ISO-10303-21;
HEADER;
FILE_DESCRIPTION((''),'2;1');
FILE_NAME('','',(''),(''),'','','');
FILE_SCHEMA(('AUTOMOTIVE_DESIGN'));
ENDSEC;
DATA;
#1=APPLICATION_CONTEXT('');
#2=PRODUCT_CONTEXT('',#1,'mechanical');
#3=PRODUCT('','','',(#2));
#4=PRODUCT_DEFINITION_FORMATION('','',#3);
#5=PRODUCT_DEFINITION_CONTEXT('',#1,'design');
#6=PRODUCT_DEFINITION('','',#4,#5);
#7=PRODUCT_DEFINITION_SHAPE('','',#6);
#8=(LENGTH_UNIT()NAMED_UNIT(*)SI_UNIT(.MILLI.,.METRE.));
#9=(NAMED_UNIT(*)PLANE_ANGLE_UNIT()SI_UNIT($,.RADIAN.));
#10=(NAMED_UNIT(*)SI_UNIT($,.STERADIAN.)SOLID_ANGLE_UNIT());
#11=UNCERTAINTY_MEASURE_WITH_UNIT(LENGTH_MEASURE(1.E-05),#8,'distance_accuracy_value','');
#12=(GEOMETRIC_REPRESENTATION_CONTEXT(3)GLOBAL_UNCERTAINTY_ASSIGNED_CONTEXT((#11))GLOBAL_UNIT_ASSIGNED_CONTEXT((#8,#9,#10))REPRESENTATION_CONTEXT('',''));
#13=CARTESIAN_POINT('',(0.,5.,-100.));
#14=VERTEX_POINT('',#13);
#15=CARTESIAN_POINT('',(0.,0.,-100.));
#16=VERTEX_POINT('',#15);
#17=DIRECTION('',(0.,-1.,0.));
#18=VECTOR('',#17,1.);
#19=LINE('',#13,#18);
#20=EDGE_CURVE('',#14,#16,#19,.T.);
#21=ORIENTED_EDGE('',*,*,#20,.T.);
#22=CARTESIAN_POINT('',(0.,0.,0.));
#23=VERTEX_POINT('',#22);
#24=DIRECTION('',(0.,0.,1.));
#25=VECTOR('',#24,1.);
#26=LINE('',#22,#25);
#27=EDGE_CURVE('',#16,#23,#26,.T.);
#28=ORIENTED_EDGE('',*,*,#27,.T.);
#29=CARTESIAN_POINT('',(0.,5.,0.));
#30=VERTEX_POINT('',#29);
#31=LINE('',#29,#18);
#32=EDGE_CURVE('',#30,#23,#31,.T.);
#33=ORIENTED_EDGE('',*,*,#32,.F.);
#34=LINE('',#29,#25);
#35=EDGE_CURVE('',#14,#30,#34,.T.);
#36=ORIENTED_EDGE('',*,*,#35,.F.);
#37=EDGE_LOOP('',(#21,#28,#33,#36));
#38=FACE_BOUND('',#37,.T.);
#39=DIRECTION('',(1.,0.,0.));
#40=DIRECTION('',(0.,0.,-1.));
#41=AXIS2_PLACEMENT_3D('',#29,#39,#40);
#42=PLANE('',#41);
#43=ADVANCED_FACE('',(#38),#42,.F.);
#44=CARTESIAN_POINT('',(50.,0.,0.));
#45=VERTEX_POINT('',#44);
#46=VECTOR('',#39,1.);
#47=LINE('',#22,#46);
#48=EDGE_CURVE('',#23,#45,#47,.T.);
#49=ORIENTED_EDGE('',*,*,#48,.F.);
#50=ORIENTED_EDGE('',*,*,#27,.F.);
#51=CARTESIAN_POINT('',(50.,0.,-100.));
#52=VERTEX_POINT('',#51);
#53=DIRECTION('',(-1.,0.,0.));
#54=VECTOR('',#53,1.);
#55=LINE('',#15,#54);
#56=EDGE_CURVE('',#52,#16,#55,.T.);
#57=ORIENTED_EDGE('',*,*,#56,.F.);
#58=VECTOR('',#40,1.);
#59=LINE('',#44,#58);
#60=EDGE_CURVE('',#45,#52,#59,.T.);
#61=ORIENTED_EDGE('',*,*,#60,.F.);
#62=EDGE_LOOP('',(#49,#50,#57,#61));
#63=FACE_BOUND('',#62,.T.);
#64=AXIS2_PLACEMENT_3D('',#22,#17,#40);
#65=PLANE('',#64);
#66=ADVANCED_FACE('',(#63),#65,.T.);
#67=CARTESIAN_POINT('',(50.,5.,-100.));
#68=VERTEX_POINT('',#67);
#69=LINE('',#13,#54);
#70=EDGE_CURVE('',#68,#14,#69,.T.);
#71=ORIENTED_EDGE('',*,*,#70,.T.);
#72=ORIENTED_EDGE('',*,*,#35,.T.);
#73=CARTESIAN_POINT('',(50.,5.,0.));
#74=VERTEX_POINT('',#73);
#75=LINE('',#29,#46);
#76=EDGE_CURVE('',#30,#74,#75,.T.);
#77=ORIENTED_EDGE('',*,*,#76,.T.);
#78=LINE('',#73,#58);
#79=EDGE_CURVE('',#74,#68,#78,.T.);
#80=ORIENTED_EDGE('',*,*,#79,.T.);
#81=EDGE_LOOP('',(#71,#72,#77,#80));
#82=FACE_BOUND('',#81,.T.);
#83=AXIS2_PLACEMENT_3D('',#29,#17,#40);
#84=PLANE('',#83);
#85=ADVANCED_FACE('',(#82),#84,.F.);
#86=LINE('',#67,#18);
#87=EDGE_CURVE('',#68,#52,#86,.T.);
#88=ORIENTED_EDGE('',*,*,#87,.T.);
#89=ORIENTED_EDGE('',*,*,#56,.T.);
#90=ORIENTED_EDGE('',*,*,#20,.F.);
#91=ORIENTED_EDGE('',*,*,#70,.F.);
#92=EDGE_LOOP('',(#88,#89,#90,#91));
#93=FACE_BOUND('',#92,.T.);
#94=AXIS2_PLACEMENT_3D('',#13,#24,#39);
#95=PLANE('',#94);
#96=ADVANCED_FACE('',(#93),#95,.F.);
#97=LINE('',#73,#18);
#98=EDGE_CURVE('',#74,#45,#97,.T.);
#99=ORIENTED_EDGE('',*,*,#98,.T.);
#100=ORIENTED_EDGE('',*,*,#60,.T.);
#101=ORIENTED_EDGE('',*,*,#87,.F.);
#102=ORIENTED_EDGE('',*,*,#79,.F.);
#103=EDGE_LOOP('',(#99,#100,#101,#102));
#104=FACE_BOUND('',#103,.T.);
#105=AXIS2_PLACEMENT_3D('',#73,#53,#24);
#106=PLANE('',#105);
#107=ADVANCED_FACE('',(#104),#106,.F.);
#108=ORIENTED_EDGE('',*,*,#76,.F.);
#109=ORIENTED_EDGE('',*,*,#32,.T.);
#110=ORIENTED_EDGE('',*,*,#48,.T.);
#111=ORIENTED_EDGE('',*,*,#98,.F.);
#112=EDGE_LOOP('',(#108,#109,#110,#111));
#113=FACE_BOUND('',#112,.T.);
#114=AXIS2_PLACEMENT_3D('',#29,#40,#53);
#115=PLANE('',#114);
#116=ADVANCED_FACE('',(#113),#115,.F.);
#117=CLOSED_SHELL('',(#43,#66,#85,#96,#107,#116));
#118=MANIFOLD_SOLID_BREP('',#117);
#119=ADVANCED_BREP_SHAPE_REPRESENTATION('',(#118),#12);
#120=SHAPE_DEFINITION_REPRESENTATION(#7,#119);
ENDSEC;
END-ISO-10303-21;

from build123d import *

# Parameters (mm, degrees)
SZKIC1_W                    = 50
SZKIC1_H                    = 100
DODANIE_WYCI_GNI_CIE1_DEPTH = 5


with BuildPart() as part:
    # Szkic1 → Dodanie-wyciągnięcie1 (new body)
    with BuildSketch(Plane(origin=(0, 0, 0), x_dir=(1, 0, 0), z_dir=(0, 1, 0))):
        with Locations((25, 50)):
            Rectangle(SZKIC1_W, SZKIC1_H)
    extrude(amount=DODANIE_WYCI_GNI_CIE1_DEPTH)


solid = part.part
